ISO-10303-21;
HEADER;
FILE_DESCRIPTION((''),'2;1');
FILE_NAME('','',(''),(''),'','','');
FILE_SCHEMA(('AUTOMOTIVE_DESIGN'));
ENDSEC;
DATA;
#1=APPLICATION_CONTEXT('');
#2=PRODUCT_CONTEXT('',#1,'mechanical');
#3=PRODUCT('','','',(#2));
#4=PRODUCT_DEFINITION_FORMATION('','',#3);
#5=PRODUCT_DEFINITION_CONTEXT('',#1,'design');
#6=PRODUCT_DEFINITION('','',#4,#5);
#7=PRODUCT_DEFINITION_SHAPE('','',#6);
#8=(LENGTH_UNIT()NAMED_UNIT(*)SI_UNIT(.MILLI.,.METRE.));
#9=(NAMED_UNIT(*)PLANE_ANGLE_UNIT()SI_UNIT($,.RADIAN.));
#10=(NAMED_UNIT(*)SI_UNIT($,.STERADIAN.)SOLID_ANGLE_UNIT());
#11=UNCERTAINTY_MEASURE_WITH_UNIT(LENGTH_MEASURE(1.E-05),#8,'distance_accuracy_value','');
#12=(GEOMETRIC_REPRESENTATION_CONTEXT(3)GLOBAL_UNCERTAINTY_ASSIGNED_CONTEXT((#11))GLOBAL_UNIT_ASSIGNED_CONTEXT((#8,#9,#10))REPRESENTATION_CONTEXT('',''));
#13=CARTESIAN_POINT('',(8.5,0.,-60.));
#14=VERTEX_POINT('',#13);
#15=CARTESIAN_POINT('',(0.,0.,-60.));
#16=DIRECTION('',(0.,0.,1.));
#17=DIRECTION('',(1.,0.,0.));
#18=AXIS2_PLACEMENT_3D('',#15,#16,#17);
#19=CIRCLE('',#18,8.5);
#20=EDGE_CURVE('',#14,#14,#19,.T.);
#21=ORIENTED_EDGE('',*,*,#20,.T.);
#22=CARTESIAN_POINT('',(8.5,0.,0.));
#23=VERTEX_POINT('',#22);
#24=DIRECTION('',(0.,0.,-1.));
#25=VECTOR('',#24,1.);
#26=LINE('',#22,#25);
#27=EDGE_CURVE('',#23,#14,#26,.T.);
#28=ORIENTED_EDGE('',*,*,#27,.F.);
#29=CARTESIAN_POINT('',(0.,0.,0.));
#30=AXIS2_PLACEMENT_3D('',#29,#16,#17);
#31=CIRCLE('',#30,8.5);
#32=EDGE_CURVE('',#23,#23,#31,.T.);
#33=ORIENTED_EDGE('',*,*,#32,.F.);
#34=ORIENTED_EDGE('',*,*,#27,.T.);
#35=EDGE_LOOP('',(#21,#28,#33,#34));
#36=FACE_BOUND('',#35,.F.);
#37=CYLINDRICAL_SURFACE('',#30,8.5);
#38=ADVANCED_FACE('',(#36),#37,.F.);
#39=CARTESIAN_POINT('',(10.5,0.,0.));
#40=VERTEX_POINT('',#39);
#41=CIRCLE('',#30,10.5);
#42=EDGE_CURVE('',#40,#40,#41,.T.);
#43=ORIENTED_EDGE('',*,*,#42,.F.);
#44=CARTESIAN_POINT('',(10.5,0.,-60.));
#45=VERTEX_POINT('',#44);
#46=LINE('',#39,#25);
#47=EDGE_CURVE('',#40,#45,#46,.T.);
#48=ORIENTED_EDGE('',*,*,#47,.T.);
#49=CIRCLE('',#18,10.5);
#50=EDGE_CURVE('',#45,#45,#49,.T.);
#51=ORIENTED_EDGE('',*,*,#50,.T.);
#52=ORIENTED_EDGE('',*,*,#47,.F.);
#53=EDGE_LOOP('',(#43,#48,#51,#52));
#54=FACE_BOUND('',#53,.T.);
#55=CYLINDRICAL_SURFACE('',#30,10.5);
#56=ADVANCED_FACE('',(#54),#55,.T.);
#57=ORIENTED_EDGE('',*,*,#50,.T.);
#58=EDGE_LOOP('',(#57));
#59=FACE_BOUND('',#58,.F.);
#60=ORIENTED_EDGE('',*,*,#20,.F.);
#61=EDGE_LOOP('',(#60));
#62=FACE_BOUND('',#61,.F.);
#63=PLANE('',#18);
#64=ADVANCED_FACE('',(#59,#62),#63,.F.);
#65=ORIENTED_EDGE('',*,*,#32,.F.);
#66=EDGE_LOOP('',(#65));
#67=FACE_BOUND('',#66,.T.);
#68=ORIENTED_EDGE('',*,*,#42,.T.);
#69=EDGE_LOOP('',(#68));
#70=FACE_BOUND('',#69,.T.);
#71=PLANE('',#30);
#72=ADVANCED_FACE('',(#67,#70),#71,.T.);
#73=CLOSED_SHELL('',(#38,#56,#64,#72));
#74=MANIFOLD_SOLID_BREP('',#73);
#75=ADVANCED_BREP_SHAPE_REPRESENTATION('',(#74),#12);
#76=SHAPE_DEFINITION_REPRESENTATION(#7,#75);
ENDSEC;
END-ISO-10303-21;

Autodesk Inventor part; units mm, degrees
ref_plane "YZ Plane" through (0, 0, 0) normal (1, 0, 0) x (0, 1, 0)
ref_plane "XZ Plane" through (0, 0, 0) normal (0, 1, 0) x (-1, 0, 0)
ref_plane "XY Plane" through (0, 0, 0) normal (0, 0, 1) x (1, 0, 0)
sketch "Sketch11" plane through (0, 0, 0) normal (0, 0, 1) x (1, 0, 0)
  circle A0 centre (0, 0) radius 10.5
  circle A1 centre (0, 0) radius 8.5
  dimension "d187" = 21
  dimension "d188" = 2
extrude "Extrusion5" add sketch "Sketch11" against normal blind 60
properties part number "TZS 1686 FDS 940 way tube 6" material "Stainless Steel"
